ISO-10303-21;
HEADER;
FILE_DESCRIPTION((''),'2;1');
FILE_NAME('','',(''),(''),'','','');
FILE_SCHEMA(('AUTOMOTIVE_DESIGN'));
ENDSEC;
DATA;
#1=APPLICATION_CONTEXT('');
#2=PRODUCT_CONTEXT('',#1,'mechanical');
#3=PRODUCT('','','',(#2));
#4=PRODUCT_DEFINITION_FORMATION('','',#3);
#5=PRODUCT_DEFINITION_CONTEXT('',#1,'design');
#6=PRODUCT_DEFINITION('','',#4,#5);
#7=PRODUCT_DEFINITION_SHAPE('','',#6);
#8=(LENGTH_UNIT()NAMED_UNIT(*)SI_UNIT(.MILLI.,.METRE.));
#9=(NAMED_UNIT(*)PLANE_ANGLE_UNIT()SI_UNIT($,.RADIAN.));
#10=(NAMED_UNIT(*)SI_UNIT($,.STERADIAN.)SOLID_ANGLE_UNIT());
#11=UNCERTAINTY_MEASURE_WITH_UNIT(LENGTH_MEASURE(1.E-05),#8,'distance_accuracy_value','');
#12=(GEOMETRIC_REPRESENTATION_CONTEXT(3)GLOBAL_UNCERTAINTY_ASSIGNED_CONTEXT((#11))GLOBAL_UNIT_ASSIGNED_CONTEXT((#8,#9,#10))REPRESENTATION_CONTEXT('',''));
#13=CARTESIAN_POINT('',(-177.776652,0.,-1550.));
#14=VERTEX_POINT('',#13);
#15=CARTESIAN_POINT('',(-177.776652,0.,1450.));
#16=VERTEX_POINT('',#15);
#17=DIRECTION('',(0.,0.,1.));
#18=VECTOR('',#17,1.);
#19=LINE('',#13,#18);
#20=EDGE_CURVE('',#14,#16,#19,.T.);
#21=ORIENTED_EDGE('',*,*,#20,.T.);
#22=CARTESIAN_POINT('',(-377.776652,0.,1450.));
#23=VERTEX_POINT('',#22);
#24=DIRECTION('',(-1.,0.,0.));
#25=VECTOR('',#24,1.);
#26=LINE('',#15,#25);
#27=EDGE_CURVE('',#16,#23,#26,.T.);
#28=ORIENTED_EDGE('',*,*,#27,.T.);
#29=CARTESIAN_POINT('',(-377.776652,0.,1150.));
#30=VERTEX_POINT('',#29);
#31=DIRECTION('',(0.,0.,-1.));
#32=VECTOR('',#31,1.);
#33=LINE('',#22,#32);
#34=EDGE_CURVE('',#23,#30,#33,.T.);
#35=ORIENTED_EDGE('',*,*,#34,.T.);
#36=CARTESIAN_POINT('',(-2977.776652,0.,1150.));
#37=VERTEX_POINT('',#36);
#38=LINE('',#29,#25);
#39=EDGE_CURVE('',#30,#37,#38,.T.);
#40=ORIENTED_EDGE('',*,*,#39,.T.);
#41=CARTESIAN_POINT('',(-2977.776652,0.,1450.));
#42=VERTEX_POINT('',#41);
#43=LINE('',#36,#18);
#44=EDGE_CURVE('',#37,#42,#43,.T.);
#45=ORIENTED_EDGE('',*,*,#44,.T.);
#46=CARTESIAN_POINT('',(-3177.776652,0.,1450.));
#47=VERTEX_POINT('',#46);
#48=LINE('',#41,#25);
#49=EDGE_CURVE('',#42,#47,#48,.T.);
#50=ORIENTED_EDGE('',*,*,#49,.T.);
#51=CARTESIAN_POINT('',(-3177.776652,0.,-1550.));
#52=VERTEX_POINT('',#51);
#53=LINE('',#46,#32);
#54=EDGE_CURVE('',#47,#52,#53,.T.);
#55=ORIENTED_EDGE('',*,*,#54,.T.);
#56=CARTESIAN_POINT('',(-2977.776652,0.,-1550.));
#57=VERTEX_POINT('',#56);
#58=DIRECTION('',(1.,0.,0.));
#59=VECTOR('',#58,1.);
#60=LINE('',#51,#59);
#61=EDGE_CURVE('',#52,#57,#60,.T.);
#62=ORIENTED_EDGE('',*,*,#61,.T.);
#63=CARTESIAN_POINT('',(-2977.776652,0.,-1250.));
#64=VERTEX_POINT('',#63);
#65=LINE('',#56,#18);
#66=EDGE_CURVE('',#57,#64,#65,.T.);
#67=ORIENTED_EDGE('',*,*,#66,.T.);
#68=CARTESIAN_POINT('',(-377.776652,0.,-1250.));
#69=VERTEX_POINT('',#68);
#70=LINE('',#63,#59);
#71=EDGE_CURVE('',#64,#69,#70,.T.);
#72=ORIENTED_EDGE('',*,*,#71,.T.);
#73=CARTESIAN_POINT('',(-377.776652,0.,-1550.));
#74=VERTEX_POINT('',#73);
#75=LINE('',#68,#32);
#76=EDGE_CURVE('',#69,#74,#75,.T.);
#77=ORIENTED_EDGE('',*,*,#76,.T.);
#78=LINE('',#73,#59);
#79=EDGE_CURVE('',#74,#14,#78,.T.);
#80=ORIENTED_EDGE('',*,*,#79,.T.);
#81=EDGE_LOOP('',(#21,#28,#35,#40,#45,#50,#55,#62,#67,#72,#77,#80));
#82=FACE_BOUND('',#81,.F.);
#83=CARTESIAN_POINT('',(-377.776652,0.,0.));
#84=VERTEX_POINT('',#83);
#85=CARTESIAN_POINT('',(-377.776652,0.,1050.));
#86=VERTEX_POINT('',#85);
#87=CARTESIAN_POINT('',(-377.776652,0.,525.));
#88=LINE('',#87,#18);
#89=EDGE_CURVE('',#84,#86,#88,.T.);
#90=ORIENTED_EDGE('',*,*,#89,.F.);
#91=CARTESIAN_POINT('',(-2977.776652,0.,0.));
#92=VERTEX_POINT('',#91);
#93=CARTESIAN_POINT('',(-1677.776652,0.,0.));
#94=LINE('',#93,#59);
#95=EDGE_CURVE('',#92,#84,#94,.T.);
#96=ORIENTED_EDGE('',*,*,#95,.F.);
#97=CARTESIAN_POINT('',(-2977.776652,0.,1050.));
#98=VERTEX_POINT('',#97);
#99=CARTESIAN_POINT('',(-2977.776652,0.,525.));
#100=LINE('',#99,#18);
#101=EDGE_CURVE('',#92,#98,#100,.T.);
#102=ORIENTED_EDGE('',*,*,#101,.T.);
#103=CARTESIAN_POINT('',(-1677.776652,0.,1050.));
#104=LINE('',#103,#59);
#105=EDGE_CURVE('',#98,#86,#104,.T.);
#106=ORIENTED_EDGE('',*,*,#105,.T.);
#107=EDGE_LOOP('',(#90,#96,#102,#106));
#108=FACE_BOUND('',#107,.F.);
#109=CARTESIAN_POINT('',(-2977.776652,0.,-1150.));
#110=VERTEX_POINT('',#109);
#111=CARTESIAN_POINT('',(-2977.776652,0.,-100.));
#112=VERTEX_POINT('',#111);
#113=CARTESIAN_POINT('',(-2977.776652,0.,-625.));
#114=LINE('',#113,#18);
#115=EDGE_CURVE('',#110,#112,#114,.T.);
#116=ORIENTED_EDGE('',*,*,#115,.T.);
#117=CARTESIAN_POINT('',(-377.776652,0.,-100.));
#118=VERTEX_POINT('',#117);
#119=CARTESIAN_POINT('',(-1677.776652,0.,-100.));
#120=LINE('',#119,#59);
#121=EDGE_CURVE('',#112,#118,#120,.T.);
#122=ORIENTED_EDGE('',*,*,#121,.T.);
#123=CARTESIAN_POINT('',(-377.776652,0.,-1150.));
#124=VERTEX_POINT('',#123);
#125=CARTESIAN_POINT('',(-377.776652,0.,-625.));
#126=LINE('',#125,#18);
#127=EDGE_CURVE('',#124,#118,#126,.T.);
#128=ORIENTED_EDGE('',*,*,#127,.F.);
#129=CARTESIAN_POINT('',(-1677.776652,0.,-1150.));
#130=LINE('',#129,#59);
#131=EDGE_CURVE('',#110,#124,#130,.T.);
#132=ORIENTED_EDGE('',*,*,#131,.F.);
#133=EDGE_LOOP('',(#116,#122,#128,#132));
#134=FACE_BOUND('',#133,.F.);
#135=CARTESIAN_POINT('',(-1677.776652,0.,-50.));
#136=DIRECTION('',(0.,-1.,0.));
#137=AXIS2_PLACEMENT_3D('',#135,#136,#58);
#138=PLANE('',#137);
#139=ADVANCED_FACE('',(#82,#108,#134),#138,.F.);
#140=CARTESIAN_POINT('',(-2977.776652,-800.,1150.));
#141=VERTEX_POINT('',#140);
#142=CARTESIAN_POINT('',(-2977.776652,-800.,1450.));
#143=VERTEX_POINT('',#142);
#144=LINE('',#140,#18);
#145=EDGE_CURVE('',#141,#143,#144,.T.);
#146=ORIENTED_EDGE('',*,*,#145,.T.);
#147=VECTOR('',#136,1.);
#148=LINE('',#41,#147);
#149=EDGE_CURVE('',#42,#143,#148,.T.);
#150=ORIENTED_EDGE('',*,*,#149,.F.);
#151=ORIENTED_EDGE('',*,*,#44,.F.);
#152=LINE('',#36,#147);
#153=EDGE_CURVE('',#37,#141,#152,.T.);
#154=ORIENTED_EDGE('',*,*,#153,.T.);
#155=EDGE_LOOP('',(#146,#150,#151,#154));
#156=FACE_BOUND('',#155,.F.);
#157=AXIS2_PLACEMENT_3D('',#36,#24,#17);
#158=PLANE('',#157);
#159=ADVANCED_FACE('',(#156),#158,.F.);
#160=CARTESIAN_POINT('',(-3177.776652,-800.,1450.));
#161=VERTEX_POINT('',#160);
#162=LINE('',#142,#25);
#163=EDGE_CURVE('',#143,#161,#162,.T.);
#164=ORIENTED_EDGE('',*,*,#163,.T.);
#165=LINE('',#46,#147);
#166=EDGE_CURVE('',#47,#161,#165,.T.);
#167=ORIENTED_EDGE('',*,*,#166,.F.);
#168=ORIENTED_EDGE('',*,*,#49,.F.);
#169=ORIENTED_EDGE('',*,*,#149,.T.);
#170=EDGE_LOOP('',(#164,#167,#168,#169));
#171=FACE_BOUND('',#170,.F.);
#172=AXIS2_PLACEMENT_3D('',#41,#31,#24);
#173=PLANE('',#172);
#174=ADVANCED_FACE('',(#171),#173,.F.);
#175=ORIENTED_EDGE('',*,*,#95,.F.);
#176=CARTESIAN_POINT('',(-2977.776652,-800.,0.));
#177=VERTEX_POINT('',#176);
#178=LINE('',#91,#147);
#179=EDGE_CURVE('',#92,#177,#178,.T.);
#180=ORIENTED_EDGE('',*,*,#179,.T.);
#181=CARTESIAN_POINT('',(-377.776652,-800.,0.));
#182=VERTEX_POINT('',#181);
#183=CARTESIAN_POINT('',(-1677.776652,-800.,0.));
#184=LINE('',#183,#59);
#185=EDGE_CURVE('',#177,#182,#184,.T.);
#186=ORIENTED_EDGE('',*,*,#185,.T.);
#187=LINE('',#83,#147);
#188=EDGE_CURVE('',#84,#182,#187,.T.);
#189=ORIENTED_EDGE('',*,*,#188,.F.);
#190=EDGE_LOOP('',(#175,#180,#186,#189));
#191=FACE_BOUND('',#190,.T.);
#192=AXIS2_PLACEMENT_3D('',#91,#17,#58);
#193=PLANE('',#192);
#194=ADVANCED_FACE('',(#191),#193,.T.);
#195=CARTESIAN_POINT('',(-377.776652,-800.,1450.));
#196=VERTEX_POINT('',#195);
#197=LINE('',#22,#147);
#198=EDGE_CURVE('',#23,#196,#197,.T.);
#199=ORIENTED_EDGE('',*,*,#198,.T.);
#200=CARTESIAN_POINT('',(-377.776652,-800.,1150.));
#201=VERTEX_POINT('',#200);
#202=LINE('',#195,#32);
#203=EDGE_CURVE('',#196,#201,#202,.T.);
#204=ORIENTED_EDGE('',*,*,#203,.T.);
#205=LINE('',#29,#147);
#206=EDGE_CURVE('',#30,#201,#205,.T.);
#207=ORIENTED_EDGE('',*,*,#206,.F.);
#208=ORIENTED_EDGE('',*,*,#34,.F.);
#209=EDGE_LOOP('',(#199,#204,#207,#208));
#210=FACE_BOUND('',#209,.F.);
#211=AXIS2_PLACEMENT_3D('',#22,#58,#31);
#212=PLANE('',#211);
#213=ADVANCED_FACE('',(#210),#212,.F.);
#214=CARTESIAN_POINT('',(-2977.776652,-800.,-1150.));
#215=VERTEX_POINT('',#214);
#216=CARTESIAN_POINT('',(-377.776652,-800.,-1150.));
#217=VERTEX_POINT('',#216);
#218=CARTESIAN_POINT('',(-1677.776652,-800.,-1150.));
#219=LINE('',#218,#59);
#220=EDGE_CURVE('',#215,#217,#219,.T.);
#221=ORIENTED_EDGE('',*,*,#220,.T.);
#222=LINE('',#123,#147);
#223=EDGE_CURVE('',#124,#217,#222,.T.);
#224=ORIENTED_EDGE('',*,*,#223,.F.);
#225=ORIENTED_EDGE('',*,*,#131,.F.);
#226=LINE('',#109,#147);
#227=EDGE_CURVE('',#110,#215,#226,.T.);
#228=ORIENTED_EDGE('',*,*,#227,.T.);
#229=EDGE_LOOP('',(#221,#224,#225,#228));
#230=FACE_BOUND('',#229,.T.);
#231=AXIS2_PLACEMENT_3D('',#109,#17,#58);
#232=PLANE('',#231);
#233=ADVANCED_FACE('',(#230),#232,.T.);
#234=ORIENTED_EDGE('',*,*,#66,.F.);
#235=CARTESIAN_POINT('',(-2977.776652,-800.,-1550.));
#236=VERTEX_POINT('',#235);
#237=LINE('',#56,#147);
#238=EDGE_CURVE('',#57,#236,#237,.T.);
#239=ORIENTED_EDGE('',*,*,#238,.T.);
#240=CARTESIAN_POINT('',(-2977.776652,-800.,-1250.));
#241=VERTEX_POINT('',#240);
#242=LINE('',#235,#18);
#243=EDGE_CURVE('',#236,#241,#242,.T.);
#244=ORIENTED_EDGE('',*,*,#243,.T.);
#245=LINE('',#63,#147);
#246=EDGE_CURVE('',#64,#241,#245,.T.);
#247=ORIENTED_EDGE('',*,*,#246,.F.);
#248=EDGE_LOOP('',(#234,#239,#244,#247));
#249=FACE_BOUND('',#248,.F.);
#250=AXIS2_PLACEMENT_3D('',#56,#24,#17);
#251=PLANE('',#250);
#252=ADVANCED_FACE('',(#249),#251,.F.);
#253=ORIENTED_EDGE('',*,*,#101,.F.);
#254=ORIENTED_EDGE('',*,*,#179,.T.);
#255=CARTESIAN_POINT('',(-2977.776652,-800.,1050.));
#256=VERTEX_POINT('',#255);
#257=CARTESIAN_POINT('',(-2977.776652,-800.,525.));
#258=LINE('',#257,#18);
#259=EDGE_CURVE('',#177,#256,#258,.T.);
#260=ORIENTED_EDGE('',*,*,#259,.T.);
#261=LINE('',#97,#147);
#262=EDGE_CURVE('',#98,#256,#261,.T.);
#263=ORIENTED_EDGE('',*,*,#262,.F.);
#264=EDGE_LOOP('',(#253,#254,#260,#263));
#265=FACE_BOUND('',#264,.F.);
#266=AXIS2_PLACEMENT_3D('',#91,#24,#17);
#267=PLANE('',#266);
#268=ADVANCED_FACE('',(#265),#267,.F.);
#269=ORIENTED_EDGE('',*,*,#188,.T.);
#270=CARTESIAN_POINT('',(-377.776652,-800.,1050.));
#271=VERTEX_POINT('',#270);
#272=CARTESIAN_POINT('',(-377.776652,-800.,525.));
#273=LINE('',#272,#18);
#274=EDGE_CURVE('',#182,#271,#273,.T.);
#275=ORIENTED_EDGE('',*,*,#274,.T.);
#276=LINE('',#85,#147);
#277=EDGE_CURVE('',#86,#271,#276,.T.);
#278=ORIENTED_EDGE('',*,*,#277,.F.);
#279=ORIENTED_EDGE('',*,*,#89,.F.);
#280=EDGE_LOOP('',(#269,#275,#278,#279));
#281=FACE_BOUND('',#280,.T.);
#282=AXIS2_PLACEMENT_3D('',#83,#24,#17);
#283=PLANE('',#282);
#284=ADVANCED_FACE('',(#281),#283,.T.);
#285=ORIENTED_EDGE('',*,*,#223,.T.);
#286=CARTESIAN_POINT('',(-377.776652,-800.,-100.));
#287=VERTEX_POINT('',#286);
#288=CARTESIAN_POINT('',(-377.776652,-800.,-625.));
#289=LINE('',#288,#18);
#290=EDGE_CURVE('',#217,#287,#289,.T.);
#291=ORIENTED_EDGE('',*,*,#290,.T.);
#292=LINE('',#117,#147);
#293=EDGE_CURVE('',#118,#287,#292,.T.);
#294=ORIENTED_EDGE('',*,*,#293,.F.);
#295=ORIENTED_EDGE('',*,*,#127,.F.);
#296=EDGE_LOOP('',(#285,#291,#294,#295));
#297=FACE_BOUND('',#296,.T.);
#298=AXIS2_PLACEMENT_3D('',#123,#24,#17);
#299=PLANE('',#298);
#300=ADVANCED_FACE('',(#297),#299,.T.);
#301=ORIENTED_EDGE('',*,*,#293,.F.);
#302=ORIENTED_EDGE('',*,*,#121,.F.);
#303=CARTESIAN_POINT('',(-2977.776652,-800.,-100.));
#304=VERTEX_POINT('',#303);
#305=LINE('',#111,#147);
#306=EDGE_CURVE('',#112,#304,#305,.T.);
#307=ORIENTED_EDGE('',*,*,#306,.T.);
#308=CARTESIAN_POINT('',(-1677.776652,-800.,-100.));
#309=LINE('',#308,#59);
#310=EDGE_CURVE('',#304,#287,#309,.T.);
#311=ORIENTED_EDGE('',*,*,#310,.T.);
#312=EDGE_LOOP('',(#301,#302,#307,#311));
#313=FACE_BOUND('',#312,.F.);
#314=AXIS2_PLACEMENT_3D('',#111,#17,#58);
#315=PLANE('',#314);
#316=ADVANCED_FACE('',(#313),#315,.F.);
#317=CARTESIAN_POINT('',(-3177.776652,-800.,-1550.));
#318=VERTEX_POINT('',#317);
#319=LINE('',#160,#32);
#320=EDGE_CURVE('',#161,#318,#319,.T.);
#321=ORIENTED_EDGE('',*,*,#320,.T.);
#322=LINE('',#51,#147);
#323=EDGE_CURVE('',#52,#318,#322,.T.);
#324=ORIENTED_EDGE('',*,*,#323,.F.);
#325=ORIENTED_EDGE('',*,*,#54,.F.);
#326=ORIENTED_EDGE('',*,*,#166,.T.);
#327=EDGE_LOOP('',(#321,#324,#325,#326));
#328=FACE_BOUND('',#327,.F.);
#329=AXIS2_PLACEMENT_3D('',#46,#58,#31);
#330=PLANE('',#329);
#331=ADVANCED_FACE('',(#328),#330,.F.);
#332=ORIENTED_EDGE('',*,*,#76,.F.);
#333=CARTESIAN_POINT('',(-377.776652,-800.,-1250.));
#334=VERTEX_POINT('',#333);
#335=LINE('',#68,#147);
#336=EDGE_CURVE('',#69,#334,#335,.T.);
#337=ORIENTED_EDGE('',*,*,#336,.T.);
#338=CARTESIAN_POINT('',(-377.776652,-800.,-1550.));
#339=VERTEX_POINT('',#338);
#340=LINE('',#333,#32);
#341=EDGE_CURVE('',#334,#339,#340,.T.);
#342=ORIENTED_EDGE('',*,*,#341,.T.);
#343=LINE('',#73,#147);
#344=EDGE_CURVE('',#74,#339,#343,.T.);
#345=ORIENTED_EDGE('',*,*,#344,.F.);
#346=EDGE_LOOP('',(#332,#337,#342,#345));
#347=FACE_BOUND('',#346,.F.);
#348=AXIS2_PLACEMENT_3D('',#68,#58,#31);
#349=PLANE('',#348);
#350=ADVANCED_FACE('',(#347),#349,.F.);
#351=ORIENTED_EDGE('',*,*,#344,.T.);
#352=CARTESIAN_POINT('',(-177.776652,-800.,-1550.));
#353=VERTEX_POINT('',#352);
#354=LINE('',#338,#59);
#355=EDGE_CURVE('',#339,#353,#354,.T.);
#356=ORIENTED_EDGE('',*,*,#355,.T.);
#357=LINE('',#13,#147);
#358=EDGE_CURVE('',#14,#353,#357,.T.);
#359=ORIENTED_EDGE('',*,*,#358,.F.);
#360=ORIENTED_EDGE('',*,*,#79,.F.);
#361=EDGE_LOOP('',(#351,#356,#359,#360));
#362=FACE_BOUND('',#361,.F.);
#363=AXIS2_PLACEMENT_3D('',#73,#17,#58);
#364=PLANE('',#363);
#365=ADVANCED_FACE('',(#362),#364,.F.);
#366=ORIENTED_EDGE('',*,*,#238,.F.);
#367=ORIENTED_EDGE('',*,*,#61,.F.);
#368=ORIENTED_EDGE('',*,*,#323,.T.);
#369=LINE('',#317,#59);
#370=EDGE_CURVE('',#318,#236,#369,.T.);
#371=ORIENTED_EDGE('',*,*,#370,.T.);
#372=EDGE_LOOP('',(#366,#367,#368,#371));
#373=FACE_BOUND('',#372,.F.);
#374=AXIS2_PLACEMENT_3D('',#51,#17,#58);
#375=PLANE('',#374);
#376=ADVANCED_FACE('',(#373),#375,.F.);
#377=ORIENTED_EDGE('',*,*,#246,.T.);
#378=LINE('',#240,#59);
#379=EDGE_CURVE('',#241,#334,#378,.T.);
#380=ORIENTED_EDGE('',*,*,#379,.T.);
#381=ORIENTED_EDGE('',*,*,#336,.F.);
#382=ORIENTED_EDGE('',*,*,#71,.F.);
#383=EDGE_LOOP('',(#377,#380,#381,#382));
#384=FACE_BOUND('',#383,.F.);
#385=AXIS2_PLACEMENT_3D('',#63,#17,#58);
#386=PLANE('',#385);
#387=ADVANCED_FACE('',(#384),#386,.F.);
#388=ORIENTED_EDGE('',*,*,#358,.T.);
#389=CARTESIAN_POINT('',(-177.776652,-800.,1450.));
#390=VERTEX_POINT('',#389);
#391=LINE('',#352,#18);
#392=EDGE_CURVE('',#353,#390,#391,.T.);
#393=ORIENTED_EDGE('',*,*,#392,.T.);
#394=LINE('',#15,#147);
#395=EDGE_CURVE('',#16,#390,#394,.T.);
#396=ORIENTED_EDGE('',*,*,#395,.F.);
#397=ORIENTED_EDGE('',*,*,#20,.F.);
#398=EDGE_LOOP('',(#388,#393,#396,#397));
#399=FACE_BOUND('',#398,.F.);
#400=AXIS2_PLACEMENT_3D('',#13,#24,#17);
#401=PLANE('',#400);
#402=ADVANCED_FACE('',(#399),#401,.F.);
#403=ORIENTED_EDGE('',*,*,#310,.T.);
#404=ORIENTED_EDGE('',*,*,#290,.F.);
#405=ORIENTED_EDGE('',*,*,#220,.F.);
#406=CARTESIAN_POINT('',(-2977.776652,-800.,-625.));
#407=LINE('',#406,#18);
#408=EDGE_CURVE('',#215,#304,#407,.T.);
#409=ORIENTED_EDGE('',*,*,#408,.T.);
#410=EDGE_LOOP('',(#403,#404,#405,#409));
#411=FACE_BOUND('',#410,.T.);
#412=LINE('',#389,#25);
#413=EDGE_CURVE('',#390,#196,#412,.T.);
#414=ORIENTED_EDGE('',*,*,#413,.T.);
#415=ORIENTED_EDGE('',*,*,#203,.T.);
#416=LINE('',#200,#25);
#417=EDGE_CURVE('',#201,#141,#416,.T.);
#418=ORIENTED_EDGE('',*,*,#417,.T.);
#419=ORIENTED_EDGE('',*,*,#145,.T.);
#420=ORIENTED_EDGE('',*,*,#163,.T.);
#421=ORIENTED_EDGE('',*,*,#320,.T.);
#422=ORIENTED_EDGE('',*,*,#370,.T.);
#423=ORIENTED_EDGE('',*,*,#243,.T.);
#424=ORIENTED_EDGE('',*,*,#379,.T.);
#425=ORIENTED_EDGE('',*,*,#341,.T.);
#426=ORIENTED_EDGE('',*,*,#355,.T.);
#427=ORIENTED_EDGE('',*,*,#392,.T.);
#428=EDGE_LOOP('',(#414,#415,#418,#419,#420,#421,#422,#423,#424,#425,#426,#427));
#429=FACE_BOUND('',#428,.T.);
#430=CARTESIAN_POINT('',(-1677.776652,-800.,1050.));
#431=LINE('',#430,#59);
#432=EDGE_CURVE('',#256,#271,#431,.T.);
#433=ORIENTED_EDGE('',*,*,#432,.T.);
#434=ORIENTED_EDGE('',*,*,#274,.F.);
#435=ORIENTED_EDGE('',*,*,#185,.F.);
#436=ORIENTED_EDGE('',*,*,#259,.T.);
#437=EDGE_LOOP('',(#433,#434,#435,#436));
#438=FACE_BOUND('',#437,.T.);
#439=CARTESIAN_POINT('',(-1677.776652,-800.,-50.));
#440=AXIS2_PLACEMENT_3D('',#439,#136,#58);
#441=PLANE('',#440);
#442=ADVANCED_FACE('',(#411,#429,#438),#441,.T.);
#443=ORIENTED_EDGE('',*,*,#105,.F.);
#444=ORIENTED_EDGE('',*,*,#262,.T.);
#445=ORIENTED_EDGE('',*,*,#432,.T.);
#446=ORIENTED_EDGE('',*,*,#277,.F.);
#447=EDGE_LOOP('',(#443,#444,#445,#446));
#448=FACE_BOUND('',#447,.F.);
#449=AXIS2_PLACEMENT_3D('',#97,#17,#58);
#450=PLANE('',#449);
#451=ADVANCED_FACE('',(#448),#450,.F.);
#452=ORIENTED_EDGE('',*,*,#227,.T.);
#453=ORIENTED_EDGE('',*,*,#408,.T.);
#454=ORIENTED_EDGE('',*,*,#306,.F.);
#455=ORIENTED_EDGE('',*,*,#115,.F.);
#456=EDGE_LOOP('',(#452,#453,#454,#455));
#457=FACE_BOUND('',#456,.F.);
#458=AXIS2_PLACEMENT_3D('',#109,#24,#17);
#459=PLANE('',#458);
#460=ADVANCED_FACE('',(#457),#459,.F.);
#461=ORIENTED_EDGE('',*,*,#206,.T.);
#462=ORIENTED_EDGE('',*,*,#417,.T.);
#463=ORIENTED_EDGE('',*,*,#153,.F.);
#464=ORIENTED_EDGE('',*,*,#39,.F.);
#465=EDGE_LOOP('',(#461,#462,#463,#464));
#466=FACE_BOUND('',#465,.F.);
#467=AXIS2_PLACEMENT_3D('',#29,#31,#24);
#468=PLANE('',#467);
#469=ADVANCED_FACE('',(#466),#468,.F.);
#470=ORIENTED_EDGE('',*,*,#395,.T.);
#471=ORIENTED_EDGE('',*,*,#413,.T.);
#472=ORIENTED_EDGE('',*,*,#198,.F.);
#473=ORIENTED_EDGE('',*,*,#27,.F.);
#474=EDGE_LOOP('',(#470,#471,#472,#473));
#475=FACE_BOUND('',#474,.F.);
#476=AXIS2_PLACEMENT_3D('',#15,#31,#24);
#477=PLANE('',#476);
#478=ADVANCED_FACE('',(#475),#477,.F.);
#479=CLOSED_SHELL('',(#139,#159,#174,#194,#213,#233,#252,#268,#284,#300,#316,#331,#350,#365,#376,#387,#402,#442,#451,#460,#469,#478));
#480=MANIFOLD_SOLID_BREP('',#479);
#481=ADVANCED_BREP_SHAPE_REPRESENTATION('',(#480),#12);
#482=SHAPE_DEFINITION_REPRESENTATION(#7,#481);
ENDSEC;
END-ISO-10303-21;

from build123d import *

# Parameters (mm, degrees)
F0_W     = 2600
F0_H     = 1050
F1_DEPTH = 800


with BuildPart() as f1:
    # F0 (on Front) → F1 (new body)
    with BuildSketch(Plane.XZ):
        Polygon((-2977.776652, -1550), (-2977.776652, -1250), (-377.776652, -1250), (-377.776652, -1550), (-177.776652, -1550), (-177.776652, 1450), (-377.776652, 1450), (-377.776652, 1150), (-2977.776652, 1150), (-2977.776652, 1450), (-3177.776652, 1450), (-3177.776652, -1550), align=None)
        with Locations((-1677.776652, -625)):
            Rectangle(F0_W, F0_H, mode=Mode.SUBTRACT)
        with Locations((-1677.776652, 525)):
            Rectangle(F0_W, F0_H, mode=Mode.SUBTRACT)
    extrude(amount=F1_DEPTH)


solid = f1.part
